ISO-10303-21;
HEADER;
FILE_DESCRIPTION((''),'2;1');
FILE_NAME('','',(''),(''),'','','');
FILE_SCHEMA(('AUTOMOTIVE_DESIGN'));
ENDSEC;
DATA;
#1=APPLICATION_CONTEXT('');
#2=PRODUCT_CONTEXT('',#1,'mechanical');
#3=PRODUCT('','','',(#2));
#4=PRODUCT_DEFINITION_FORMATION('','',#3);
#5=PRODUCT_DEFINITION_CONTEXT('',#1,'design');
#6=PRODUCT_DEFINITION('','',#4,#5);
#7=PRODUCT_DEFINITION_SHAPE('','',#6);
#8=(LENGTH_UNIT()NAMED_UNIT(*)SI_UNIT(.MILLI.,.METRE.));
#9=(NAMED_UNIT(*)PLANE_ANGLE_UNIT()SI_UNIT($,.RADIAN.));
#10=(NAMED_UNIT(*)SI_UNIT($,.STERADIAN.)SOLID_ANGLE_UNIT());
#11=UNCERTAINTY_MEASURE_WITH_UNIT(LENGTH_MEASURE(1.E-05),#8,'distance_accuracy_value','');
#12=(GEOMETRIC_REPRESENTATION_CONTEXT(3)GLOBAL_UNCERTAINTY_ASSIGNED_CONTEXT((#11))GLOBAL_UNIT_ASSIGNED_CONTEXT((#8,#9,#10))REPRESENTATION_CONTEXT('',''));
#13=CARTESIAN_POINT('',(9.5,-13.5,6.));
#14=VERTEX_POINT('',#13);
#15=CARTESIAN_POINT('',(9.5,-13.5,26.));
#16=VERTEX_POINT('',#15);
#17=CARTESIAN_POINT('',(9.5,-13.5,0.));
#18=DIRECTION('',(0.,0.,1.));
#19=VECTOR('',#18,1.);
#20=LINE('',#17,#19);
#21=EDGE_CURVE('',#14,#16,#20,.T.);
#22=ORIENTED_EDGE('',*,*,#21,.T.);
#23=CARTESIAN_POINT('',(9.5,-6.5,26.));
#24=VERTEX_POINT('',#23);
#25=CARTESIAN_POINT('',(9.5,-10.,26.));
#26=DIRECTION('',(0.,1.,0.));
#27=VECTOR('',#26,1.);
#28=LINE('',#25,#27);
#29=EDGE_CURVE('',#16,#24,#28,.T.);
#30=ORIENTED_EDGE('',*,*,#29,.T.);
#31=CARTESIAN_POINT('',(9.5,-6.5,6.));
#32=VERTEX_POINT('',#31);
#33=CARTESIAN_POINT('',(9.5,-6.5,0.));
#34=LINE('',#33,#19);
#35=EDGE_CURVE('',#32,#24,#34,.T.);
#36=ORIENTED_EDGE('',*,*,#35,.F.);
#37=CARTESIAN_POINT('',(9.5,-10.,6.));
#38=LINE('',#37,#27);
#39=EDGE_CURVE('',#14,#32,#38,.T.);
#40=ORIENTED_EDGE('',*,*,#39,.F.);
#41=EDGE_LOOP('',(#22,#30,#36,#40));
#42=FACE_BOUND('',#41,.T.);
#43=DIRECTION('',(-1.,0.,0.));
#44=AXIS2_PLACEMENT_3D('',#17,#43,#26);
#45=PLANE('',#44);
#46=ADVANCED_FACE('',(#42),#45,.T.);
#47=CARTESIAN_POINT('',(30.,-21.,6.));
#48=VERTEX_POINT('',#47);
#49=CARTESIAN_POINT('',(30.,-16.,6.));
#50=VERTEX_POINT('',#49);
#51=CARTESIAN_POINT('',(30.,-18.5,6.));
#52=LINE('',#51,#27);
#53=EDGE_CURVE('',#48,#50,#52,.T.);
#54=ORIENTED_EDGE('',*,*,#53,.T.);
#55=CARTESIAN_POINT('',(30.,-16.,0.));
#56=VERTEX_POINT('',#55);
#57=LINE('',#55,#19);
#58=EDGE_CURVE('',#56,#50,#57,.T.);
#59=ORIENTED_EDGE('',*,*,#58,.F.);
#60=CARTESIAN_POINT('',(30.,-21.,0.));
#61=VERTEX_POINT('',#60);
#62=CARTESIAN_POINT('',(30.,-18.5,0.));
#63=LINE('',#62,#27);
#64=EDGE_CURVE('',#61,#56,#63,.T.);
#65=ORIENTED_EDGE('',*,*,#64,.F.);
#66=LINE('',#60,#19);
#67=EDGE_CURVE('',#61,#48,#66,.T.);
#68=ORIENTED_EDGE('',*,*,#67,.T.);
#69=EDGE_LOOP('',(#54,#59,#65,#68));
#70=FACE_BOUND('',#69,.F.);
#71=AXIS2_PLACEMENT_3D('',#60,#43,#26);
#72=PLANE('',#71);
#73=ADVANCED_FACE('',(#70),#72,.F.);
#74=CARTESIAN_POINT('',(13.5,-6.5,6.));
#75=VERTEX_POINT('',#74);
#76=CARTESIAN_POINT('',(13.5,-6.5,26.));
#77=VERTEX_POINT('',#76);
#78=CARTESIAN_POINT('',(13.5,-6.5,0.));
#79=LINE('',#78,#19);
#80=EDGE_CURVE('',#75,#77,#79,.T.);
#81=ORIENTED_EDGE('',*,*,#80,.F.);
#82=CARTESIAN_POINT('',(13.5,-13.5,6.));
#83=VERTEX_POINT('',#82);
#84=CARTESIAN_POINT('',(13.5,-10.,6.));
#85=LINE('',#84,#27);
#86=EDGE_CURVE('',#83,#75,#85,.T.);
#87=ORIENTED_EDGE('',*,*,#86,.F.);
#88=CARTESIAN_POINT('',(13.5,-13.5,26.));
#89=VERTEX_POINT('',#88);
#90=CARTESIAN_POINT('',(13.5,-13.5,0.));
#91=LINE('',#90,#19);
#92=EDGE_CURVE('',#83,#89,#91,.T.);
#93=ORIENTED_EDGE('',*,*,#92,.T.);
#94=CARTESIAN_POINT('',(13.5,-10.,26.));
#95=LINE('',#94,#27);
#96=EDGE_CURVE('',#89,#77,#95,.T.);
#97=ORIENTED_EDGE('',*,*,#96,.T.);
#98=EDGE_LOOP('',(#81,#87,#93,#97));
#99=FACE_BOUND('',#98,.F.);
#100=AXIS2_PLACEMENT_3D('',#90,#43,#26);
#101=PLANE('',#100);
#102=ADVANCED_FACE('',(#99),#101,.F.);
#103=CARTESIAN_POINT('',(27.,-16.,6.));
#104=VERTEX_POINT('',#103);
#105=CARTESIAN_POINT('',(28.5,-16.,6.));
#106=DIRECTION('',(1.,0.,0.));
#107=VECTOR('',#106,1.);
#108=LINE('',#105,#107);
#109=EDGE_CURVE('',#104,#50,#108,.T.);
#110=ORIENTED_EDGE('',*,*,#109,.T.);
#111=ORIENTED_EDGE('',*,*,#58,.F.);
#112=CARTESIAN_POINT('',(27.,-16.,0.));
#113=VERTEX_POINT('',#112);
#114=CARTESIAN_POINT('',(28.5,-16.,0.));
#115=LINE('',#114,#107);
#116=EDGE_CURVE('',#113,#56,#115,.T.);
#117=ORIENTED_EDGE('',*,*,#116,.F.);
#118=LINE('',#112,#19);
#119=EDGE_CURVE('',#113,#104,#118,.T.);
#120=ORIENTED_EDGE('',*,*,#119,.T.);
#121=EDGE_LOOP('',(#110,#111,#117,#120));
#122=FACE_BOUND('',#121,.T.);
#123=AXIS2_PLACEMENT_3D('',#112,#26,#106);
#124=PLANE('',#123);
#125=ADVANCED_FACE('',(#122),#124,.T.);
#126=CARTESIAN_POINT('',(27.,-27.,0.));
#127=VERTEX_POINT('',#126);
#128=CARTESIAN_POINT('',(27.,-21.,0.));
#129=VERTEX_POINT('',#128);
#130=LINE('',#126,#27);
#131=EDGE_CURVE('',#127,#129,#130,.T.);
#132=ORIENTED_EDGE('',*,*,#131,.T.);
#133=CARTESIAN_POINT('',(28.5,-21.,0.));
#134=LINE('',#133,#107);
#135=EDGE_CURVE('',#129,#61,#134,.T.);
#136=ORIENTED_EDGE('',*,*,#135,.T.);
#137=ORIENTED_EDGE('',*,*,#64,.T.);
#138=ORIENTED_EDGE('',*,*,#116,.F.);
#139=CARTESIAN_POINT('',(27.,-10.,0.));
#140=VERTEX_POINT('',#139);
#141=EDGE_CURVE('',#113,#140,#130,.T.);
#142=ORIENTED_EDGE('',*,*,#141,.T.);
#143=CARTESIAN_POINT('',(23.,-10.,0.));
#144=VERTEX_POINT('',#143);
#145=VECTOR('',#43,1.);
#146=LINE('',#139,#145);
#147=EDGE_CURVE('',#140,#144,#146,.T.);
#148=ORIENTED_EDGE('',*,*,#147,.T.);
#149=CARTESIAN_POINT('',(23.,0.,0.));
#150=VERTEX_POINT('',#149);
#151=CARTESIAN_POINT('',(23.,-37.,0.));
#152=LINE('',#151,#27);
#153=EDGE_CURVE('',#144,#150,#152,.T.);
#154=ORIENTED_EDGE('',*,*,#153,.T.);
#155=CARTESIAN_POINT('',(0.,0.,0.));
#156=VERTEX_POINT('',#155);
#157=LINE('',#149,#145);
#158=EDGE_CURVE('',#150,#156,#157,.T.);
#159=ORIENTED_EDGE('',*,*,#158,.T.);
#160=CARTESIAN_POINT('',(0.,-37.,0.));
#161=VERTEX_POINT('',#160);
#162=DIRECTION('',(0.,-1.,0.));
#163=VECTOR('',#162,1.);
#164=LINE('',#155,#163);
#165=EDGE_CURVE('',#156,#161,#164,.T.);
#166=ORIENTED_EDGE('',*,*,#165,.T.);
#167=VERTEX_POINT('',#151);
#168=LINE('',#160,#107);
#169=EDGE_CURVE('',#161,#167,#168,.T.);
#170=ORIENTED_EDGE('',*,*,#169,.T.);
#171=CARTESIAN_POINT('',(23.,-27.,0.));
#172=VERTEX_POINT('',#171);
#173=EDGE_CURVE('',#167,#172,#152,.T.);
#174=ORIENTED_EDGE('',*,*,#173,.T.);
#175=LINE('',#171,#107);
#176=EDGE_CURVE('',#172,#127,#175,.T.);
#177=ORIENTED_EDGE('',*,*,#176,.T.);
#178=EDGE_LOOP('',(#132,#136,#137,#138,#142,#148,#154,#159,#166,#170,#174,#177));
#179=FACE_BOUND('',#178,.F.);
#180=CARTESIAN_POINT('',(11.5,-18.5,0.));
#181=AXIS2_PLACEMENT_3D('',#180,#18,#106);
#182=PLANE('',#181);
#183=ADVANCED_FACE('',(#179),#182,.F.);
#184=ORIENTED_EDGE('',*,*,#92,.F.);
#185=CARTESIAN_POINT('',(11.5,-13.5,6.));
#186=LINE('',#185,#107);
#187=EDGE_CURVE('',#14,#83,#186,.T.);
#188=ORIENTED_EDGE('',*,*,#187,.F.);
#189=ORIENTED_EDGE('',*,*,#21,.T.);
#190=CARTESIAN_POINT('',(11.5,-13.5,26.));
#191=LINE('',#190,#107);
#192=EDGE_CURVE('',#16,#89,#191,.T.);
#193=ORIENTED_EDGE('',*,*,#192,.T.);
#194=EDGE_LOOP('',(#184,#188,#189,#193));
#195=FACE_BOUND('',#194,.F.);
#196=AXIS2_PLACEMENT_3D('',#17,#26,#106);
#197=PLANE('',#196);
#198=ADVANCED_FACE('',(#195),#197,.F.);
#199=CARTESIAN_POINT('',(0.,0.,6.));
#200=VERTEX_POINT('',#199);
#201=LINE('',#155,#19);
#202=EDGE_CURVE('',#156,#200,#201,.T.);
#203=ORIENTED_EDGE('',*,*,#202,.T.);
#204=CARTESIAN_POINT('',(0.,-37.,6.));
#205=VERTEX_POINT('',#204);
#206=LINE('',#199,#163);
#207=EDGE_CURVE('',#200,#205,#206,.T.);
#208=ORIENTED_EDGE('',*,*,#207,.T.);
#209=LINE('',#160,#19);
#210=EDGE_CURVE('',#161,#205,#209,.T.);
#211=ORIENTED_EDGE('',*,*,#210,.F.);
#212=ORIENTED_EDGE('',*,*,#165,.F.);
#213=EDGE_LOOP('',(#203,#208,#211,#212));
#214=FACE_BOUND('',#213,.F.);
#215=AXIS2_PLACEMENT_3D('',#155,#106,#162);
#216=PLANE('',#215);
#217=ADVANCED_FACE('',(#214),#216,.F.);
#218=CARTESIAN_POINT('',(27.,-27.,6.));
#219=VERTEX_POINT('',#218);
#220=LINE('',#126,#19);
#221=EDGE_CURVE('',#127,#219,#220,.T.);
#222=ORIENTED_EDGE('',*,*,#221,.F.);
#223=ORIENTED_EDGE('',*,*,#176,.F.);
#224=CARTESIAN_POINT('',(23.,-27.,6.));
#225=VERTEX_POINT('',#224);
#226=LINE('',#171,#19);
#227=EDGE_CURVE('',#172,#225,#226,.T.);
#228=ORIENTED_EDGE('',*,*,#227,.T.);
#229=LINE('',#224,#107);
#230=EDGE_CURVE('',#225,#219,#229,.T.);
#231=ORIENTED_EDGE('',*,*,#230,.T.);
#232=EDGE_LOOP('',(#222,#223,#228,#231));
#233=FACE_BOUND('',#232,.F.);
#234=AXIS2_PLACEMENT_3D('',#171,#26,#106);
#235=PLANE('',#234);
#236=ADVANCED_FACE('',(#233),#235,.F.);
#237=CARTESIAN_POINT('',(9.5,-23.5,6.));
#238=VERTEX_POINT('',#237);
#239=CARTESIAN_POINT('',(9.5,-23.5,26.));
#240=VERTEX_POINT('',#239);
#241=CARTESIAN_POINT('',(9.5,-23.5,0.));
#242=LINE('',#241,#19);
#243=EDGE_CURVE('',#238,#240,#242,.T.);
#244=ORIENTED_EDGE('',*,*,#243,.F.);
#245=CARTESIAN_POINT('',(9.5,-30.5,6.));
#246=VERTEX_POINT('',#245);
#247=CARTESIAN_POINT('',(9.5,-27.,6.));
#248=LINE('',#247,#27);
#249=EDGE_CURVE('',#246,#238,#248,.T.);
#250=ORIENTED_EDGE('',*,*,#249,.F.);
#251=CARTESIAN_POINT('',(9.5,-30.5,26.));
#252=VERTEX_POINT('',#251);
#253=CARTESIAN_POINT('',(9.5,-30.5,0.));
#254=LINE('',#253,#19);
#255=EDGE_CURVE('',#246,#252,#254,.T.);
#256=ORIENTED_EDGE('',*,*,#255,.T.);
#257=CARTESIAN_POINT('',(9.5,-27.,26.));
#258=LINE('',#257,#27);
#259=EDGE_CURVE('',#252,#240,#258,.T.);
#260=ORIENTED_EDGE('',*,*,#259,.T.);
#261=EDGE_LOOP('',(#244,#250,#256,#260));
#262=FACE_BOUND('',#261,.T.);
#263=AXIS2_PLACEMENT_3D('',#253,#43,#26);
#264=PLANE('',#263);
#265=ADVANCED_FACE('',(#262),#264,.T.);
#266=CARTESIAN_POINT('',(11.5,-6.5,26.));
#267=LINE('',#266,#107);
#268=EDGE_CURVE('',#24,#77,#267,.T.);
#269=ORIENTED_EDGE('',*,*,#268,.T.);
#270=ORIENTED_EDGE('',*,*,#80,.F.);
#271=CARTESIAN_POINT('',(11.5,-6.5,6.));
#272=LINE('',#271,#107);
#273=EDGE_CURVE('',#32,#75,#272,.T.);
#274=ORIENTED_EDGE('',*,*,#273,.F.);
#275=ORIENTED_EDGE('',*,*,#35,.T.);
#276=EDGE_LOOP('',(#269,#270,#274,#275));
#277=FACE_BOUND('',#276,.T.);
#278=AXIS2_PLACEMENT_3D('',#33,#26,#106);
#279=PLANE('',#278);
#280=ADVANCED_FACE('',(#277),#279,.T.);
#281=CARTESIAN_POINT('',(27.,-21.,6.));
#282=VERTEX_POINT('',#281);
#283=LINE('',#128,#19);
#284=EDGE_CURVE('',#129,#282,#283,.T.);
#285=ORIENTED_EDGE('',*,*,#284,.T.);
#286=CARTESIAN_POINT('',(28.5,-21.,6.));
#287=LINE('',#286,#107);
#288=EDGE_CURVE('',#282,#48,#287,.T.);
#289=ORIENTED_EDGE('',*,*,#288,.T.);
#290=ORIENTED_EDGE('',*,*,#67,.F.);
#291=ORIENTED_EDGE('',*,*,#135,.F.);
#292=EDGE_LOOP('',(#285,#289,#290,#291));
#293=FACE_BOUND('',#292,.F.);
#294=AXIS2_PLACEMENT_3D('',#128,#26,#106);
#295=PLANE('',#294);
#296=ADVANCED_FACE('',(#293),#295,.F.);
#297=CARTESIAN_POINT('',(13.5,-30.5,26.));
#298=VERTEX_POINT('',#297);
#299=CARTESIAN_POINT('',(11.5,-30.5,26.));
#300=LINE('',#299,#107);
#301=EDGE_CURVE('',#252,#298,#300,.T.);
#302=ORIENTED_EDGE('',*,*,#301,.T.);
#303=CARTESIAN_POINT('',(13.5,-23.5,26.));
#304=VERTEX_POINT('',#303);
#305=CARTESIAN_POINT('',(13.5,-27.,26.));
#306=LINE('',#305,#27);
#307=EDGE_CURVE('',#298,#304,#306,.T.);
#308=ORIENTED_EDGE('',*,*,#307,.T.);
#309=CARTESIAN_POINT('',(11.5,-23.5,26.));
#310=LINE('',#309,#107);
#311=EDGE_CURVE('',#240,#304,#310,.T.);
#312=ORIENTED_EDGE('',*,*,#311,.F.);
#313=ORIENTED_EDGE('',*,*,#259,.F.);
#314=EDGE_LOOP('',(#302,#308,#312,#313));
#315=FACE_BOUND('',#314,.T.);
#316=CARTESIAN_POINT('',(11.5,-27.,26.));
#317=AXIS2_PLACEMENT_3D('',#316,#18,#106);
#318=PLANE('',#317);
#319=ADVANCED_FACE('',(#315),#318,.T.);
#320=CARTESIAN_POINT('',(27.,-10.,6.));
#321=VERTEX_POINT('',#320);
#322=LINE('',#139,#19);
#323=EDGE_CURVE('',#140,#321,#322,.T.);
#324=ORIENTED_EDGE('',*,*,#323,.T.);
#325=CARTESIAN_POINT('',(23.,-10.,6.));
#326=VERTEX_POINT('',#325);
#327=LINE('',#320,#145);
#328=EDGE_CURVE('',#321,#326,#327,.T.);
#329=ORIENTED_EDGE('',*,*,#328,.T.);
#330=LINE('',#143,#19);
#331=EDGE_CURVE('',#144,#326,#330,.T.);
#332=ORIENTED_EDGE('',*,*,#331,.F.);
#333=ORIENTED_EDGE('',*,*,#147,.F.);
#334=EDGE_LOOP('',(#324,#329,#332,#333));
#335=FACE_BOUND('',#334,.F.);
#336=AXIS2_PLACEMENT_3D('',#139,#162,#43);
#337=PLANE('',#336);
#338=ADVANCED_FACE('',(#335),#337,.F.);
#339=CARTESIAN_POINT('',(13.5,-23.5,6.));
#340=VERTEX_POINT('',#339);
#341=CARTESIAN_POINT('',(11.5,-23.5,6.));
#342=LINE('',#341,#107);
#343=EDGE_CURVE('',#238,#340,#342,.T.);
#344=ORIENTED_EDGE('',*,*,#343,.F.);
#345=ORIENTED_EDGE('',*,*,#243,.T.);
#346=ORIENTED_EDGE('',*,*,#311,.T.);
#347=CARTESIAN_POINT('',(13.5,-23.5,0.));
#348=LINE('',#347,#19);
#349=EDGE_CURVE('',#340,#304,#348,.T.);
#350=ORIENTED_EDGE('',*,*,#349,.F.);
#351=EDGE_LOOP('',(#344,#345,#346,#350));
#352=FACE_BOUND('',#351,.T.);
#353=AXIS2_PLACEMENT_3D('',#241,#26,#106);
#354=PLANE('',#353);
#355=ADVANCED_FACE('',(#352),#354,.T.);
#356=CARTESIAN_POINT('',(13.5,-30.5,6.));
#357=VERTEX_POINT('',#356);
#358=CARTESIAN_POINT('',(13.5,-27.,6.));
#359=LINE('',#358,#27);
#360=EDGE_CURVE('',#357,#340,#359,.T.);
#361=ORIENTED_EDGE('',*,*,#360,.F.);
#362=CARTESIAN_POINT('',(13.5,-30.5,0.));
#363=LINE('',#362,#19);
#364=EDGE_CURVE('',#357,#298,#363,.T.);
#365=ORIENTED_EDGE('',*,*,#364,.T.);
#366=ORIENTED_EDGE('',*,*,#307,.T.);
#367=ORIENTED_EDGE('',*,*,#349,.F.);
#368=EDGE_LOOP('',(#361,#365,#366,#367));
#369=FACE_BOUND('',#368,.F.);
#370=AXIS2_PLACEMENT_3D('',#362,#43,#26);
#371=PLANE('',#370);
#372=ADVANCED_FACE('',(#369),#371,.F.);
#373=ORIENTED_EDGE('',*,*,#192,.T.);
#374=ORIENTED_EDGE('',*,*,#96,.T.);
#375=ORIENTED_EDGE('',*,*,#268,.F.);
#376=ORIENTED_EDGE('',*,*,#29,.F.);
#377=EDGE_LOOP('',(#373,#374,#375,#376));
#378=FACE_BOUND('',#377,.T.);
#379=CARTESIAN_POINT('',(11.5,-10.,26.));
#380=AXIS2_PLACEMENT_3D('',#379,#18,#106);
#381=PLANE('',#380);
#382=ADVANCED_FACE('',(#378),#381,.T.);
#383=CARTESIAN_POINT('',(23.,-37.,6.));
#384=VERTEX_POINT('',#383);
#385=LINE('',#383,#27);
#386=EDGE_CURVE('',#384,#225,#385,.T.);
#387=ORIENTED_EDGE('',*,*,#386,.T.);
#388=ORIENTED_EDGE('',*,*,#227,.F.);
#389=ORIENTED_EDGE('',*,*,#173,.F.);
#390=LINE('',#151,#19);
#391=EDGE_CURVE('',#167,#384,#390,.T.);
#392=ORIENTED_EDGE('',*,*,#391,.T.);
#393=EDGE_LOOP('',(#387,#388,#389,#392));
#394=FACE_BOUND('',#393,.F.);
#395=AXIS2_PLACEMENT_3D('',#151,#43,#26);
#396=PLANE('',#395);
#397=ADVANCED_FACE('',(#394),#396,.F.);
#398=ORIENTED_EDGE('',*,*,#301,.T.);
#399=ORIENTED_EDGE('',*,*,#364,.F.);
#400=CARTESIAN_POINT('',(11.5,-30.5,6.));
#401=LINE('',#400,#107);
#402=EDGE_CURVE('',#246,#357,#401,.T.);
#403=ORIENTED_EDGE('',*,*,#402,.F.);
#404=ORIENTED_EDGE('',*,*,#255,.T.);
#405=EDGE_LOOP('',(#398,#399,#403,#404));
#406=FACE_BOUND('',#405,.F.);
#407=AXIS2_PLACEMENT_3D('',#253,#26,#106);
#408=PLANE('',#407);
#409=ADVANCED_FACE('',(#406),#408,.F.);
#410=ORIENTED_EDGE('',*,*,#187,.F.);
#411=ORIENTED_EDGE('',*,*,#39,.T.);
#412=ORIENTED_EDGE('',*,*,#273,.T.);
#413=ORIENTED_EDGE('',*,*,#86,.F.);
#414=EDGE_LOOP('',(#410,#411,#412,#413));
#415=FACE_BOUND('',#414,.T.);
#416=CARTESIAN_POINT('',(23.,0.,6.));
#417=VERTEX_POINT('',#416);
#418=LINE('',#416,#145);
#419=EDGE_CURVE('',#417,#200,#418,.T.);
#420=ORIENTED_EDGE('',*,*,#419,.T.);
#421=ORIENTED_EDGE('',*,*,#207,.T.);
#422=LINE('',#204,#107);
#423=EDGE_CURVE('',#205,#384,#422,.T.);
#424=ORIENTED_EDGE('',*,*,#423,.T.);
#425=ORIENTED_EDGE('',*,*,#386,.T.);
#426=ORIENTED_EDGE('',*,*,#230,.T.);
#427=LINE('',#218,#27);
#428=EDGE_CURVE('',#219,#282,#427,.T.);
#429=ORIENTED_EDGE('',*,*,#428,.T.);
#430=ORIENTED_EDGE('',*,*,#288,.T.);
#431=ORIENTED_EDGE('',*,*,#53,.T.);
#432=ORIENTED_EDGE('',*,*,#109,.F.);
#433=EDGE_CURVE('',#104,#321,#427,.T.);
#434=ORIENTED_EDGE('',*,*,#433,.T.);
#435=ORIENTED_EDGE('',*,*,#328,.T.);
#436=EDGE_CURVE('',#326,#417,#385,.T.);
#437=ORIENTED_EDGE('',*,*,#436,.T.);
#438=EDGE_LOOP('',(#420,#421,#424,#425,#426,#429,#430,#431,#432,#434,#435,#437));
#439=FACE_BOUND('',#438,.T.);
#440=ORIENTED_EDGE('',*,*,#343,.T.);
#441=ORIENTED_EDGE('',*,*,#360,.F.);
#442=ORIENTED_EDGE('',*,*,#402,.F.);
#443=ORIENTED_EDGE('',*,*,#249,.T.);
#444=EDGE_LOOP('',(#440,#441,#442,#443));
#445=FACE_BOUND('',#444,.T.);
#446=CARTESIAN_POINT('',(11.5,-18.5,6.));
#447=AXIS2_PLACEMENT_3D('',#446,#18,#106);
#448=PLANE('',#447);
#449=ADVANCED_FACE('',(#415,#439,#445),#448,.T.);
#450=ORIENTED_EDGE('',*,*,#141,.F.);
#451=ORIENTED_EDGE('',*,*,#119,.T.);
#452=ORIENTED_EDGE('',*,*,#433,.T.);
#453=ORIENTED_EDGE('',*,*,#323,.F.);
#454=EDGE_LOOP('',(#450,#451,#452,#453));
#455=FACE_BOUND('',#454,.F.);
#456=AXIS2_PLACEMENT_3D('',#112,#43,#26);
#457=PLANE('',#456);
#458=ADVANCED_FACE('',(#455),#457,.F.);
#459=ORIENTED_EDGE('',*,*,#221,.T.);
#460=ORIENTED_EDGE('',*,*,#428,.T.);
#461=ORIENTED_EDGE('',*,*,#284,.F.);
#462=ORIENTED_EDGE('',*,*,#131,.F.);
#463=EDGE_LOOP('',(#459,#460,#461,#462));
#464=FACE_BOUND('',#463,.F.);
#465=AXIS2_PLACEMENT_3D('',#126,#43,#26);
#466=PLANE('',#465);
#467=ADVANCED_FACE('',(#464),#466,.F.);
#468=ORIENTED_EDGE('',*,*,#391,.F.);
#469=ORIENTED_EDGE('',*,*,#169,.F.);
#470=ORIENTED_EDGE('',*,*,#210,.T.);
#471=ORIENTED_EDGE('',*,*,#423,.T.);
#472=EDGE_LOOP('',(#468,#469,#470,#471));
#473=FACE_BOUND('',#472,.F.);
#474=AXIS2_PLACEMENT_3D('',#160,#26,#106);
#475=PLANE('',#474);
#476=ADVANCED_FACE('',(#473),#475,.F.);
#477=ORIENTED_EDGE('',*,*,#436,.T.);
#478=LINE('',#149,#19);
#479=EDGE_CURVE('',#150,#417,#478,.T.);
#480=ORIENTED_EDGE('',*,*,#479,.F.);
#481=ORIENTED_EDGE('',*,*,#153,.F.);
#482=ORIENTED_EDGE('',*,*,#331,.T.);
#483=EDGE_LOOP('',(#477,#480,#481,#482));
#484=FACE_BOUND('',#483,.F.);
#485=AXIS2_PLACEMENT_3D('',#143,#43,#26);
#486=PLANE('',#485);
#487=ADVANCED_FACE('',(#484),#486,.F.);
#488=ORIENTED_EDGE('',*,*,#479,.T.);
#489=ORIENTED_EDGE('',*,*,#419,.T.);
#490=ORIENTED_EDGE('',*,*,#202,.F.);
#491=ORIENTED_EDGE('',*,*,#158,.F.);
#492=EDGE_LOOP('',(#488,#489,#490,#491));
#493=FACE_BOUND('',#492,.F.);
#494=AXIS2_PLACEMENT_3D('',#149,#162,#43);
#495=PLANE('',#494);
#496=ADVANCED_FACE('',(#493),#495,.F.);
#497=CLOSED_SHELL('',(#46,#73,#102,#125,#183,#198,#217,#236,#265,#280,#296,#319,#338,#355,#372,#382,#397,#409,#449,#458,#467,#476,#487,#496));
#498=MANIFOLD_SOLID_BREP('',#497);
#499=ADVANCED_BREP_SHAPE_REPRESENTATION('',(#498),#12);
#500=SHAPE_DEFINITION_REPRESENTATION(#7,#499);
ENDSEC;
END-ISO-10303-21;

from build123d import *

# Parameters (mm, degrees)
F0_W     = 4
F0_H     = 7
F0_W_2   = 3
F0_H_2   = 5
F1_DEPTH = 6
F2_DEPTH = 26


with BuildPart() as f1:
    # F0 (on Top) → F1 (new body)
    with BuildSketch(Plane.XY):
        Polygon((23, 0), (0, 0), (0, -37), (23, -37), (23, -27), (23, -10), align=None)
        with Locations((11.5, -27)):
            Rectangle(F0_W, F0_H, mode=Mode.SUBTRACT)
        with Locations((11.5, -10)):
            Rectangle(F0_W, F0_H, mode=Mode.SUBTRACT)
        Polygon((27, -10), (23, -10), (23, -27), (27, -27), (27, -21), (27, -16), align=None)
        with Locations((28.5, -18.5)):
            Rectangle(F0_W_2, F0_H_2)
    extrude(amount=F1_DEPTH)

    # F0 (on Top) → F2 (join)
    with BuildSketch(Plane.XY):
        with Locations((11.5, -10)):
            Rectangle(F0_W, F0_H)
        with Locations((11.5, -27)):
            Rectangle(F0_W, F0_H)
    extrude(amount=F2_DEPTH)


solid = f1.part
